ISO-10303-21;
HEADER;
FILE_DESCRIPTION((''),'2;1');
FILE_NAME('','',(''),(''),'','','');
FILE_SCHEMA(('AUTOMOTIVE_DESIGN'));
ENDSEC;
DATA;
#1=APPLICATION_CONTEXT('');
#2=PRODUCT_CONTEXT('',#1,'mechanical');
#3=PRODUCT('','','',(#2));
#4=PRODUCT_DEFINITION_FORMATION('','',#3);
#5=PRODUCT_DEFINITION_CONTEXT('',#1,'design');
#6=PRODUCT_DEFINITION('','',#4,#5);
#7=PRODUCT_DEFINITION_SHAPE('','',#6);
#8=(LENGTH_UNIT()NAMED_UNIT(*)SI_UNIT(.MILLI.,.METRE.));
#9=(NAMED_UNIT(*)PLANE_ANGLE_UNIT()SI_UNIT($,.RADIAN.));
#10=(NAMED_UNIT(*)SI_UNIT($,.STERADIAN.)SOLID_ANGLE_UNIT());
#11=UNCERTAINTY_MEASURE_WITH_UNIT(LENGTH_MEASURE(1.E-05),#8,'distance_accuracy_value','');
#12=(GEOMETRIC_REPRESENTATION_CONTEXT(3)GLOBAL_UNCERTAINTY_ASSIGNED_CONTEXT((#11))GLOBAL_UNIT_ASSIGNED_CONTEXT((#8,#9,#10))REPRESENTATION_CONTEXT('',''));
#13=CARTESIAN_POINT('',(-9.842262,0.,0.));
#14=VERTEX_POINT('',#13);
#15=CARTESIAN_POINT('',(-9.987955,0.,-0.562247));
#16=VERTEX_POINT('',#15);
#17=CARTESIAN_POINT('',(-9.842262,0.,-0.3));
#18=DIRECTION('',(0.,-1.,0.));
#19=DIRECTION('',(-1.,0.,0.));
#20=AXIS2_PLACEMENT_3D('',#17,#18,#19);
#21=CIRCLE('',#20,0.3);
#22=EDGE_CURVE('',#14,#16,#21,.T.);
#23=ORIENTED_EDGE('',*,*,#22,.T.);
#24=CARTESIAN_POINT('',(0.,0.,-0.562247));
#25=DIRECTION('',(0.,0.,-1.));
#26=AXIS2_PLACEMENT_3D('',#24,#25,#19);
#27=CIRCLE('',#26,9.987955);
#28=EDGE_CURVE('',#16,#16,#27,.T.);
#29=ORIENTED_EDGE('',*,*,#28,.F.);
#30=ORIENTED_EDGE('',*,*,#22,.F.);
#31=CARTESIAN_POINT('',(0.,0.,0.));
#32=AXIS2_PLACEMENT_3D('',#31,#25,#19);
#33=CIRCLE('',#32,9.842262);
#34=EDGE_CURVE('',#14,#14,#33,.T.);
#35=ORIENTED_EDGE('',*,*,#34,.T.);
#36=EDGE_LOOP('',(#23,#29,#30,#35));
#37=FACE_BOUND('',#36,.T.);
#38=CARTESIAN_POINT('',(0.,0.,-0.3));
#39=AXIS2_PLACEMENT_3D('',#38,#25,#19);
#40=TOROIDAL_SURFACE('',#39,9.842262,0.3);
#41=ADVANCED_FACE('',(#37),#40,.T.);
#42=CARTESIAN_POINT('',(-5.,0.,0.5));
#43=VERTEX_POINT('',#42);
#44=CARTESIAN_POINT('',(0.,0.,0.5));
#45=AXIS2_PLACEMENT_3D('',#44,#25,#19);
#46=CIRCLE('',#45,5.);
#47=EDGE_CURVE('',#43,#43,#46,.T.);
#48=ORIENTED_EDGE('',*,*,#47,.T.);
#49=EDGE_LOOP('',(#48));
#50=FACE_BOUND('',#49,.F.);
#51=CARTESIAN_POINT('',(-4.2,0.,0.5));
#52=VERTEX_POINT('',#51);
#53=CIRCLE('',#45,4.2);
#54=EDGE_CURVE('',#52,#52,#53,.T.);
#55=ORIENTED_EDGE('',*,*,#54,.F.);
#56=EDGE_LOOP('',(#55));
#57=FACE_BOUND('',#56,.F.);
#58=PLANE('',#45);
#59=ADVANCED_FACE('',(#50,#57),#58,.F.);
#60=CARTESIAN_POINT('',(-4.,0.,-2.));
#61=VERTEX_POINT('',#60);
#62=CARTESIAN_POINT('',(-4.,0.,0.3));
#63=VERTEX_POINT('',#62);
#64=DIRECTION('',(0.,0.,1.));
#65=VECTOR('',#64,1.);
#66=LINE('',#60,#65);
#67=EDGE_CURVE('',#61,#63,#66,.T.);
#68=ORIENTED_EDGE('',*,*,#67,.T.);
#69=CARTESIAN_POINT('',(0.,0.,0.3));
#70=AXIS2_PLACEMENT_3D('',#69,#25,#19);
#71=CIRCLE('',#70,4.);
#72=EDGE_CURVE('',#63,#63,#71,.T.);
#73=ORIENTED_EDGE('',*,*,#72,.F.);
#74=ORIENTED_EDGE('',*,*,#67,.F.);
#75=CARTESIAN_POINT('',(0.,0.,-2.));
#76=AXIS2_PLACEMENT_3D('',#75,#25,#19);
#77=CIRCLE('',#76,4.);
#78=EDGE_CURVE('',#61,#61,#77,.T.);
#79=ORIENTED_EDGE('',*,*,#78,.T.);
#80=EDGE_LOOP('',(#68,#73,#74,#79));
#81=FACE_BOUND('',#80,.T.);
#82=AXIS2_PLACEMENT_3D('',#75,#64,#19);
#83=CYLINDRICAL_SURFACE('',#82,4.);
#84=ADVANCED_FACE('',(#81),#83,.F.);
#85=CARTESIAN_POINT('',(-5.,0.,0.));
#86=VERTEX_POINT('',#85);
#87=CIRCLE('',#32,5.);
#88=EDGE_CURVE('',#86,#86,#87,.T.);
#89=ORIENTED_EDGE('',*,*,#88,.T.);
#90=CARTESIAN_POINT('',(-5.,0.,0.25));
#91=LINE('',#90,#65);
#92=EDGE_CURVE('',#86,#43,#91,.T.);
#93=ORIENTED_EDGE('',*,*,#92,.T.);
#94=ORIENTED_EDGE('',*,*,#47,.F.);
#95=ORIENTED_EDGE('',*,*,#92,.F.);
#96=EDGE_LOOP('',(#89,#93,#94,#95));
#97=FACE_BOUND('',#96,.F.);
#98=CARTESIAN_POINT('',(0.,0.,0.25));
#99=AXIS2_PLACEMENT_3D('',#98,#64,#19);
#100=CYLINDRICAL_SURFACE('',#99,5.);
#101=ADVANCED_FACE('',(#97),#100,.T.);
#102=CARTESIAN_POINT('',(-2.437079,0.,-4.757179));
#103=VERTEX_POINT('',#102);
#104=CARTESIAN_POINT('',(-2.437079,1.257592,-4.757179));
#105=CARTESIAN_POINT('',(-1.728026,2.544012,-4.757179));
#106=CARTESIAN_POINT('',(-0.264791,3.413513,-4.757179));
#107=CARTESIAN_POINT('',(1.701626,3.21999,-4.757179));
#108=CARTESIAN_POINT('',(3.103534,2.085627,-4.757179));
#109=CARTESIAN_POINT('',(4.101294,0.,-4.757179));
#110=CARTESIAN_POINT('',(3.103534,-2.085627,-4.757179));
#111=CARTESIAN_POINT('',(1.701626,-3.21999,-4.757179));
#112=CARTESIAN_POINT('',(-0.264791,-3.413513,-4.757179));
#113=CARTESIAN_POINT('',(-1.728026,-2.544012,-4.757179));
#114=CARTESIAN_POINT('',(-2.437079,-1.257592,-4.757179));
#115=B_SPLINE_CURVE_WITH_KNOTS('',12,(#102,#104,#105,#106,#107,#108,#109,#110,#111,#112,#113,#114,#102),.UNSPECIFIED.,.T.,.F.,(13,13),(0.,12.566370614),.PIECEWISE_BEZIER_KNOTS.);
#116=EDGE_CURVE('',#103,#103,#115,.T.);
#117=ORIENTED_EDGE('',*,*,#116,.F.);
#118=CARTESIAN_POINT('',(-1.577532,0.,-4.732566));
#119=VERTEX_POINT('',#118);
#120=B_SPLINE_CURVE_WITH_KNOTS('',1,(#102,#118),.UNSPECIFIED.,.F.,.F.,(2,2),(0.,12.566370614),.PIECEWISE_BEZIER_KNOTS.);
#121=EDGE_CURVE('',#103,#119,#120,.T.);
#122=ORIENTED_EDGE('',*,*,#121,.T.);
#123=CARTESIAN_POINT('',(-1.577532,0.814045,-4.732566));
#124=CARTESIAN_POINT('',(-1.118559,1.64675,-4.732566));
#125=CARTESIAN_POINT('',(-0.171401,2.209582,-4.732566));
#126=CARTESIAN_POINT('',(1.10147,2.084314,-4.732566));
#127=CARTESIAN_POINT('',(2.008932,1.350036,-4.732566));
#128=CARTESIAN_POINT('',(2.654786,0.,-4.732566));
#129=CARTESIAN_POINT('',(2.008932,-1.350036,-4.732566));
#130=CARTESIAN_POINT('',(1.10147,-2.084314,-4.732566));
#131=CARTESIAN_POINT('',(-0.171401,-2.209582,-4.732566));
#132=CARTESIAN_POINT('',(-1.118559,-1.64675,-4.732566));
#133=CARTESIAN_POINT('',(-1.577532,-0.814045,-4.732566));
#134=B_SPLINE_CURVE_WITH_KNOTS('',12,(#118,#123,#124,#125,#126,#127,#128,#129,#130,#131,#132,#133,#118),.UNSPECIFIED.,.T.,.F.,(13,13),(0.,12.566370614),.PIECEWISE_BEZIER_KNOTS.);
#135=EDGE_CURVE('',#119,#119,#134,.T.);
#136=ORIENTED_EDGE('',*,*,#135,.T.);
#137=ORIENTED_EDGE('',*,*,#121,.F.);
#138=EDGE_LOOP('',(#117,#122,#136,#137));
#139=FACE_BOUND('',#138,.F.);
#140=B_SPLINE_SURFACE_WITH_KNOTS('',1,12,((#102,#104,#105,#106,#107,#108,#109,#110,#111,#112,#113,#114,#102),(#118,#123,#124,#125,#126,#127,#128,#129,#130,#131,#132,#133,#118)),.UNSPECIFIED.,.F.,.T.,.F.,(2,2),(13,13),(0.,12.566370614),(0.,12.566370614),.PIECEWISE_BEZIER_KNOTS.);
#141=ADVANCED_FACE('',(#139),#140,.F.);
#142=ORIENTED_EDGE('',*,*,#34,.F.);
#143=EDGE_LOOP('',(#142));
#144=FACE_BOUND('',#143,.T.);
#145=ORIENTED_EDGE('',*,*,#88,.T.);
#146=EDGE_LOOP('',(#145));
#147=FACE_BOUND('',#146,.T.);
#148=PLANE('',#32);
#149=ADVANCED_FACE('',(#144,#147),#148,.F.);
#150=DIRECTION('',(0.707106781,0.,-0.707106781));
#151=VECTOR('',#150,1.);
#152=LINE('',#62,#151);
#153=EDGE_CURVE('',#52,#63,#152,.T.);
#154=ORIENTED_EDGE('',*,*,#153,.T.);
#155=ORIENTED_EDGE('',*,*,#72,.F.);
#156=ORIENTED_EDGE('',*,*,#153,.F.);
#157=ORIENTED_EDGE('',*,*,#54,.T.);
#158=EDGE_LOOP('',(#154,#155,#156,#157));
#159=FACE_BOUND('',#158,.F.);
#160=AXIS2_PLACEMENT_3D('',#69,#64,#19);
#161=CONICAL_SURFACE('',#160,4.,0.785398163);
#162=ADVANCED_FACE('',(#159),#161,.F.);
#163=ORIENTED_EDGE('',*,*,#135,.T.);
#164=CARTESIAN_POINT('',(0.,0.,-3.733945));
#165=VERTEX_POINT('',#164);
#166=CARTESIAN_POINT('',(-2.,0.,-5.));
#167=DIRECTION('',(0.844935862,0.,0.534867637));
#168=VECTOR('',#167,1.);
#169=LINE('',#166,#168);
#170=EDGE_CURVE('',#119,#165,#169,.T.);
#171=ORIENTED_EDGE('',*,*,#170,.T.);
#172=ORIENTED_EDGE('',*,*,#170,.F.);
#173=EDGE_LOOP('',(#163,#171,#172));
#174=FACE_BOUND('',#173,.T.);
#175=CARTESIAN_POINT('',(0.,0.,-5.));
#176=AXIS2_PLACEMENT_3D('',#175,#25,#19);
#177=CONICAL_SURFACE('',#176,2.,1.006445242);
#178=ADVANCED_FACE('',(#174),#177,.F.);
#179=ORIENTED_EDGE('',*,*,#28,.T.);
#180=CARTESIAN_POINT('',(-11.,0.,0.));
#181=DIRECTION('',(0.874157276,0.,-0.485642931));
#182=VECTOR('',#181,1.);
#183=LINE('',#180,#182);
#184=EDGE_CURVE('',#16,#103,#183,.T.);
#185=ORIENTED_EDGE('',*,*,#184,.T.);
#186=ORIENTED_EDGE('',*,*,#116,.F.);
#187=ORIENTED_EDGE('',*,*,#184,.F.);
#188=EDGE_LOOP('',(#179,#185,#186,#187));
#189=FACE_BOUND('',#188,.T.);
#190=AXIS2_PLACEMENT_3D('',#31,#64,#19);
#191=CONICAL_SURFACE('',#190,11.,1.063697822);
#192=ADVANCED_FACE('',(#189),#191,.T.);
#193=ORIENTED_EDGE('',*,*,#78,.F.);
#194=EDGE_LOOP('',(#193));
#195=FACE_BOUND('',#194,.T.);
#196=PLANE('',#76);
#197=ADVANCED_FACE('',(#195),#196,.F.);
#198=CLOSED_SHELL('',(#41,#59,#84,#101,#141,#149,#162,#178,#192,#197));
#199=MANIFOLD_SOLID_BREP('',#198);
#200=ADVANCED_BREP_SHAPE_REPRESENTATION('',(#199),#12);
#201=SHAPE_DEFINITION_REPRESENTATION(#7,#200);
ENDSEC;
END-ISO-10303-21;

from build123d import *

# Parameters (mm, degrees)
F0_W    = 1
F0_H    = 0.5
F2_R    = 0.3
F3_SIZE = 0.5
F4_SIZE = 0.2


with BuildPart() as f1:
    # F0 (on Front) → F1 (revolve)
    with BuildSketch(Plane.XZ):
        Polygon((-4, -2), (-4, 0), (-5, 0), (-11, 0), (-2, -5), (0, -3.733945), (0, -2), align=None)
        with Locations((-4.5, 0.25)):
            Rectangle(F0_W, F0_H)
    revolve(axis=Axis((0, 0, -1.866972), (0, 0, -1)))

    # F2
    f2_edges = [f1.edges().sort_by_distance(p)[0] for p in [
        (11, 0, 0),
    ]]
    fillet(f2_edges, radius=F2_R)

    # F3
    f3_edges = [f1.edges().sort_by_distance(p)[0] for p in [
        (2, 0, -5),
    ]]
    chamfer(f3_edges, length=F3_SIZE)

    # F4
    f4_edges = [f1.edges().sort_by_distance(p)[0] for p in [
        (4, 0, 0.5),
    ]]
    chamfer(f4_edges, length=F4_SIZE)


solid = f1.part
